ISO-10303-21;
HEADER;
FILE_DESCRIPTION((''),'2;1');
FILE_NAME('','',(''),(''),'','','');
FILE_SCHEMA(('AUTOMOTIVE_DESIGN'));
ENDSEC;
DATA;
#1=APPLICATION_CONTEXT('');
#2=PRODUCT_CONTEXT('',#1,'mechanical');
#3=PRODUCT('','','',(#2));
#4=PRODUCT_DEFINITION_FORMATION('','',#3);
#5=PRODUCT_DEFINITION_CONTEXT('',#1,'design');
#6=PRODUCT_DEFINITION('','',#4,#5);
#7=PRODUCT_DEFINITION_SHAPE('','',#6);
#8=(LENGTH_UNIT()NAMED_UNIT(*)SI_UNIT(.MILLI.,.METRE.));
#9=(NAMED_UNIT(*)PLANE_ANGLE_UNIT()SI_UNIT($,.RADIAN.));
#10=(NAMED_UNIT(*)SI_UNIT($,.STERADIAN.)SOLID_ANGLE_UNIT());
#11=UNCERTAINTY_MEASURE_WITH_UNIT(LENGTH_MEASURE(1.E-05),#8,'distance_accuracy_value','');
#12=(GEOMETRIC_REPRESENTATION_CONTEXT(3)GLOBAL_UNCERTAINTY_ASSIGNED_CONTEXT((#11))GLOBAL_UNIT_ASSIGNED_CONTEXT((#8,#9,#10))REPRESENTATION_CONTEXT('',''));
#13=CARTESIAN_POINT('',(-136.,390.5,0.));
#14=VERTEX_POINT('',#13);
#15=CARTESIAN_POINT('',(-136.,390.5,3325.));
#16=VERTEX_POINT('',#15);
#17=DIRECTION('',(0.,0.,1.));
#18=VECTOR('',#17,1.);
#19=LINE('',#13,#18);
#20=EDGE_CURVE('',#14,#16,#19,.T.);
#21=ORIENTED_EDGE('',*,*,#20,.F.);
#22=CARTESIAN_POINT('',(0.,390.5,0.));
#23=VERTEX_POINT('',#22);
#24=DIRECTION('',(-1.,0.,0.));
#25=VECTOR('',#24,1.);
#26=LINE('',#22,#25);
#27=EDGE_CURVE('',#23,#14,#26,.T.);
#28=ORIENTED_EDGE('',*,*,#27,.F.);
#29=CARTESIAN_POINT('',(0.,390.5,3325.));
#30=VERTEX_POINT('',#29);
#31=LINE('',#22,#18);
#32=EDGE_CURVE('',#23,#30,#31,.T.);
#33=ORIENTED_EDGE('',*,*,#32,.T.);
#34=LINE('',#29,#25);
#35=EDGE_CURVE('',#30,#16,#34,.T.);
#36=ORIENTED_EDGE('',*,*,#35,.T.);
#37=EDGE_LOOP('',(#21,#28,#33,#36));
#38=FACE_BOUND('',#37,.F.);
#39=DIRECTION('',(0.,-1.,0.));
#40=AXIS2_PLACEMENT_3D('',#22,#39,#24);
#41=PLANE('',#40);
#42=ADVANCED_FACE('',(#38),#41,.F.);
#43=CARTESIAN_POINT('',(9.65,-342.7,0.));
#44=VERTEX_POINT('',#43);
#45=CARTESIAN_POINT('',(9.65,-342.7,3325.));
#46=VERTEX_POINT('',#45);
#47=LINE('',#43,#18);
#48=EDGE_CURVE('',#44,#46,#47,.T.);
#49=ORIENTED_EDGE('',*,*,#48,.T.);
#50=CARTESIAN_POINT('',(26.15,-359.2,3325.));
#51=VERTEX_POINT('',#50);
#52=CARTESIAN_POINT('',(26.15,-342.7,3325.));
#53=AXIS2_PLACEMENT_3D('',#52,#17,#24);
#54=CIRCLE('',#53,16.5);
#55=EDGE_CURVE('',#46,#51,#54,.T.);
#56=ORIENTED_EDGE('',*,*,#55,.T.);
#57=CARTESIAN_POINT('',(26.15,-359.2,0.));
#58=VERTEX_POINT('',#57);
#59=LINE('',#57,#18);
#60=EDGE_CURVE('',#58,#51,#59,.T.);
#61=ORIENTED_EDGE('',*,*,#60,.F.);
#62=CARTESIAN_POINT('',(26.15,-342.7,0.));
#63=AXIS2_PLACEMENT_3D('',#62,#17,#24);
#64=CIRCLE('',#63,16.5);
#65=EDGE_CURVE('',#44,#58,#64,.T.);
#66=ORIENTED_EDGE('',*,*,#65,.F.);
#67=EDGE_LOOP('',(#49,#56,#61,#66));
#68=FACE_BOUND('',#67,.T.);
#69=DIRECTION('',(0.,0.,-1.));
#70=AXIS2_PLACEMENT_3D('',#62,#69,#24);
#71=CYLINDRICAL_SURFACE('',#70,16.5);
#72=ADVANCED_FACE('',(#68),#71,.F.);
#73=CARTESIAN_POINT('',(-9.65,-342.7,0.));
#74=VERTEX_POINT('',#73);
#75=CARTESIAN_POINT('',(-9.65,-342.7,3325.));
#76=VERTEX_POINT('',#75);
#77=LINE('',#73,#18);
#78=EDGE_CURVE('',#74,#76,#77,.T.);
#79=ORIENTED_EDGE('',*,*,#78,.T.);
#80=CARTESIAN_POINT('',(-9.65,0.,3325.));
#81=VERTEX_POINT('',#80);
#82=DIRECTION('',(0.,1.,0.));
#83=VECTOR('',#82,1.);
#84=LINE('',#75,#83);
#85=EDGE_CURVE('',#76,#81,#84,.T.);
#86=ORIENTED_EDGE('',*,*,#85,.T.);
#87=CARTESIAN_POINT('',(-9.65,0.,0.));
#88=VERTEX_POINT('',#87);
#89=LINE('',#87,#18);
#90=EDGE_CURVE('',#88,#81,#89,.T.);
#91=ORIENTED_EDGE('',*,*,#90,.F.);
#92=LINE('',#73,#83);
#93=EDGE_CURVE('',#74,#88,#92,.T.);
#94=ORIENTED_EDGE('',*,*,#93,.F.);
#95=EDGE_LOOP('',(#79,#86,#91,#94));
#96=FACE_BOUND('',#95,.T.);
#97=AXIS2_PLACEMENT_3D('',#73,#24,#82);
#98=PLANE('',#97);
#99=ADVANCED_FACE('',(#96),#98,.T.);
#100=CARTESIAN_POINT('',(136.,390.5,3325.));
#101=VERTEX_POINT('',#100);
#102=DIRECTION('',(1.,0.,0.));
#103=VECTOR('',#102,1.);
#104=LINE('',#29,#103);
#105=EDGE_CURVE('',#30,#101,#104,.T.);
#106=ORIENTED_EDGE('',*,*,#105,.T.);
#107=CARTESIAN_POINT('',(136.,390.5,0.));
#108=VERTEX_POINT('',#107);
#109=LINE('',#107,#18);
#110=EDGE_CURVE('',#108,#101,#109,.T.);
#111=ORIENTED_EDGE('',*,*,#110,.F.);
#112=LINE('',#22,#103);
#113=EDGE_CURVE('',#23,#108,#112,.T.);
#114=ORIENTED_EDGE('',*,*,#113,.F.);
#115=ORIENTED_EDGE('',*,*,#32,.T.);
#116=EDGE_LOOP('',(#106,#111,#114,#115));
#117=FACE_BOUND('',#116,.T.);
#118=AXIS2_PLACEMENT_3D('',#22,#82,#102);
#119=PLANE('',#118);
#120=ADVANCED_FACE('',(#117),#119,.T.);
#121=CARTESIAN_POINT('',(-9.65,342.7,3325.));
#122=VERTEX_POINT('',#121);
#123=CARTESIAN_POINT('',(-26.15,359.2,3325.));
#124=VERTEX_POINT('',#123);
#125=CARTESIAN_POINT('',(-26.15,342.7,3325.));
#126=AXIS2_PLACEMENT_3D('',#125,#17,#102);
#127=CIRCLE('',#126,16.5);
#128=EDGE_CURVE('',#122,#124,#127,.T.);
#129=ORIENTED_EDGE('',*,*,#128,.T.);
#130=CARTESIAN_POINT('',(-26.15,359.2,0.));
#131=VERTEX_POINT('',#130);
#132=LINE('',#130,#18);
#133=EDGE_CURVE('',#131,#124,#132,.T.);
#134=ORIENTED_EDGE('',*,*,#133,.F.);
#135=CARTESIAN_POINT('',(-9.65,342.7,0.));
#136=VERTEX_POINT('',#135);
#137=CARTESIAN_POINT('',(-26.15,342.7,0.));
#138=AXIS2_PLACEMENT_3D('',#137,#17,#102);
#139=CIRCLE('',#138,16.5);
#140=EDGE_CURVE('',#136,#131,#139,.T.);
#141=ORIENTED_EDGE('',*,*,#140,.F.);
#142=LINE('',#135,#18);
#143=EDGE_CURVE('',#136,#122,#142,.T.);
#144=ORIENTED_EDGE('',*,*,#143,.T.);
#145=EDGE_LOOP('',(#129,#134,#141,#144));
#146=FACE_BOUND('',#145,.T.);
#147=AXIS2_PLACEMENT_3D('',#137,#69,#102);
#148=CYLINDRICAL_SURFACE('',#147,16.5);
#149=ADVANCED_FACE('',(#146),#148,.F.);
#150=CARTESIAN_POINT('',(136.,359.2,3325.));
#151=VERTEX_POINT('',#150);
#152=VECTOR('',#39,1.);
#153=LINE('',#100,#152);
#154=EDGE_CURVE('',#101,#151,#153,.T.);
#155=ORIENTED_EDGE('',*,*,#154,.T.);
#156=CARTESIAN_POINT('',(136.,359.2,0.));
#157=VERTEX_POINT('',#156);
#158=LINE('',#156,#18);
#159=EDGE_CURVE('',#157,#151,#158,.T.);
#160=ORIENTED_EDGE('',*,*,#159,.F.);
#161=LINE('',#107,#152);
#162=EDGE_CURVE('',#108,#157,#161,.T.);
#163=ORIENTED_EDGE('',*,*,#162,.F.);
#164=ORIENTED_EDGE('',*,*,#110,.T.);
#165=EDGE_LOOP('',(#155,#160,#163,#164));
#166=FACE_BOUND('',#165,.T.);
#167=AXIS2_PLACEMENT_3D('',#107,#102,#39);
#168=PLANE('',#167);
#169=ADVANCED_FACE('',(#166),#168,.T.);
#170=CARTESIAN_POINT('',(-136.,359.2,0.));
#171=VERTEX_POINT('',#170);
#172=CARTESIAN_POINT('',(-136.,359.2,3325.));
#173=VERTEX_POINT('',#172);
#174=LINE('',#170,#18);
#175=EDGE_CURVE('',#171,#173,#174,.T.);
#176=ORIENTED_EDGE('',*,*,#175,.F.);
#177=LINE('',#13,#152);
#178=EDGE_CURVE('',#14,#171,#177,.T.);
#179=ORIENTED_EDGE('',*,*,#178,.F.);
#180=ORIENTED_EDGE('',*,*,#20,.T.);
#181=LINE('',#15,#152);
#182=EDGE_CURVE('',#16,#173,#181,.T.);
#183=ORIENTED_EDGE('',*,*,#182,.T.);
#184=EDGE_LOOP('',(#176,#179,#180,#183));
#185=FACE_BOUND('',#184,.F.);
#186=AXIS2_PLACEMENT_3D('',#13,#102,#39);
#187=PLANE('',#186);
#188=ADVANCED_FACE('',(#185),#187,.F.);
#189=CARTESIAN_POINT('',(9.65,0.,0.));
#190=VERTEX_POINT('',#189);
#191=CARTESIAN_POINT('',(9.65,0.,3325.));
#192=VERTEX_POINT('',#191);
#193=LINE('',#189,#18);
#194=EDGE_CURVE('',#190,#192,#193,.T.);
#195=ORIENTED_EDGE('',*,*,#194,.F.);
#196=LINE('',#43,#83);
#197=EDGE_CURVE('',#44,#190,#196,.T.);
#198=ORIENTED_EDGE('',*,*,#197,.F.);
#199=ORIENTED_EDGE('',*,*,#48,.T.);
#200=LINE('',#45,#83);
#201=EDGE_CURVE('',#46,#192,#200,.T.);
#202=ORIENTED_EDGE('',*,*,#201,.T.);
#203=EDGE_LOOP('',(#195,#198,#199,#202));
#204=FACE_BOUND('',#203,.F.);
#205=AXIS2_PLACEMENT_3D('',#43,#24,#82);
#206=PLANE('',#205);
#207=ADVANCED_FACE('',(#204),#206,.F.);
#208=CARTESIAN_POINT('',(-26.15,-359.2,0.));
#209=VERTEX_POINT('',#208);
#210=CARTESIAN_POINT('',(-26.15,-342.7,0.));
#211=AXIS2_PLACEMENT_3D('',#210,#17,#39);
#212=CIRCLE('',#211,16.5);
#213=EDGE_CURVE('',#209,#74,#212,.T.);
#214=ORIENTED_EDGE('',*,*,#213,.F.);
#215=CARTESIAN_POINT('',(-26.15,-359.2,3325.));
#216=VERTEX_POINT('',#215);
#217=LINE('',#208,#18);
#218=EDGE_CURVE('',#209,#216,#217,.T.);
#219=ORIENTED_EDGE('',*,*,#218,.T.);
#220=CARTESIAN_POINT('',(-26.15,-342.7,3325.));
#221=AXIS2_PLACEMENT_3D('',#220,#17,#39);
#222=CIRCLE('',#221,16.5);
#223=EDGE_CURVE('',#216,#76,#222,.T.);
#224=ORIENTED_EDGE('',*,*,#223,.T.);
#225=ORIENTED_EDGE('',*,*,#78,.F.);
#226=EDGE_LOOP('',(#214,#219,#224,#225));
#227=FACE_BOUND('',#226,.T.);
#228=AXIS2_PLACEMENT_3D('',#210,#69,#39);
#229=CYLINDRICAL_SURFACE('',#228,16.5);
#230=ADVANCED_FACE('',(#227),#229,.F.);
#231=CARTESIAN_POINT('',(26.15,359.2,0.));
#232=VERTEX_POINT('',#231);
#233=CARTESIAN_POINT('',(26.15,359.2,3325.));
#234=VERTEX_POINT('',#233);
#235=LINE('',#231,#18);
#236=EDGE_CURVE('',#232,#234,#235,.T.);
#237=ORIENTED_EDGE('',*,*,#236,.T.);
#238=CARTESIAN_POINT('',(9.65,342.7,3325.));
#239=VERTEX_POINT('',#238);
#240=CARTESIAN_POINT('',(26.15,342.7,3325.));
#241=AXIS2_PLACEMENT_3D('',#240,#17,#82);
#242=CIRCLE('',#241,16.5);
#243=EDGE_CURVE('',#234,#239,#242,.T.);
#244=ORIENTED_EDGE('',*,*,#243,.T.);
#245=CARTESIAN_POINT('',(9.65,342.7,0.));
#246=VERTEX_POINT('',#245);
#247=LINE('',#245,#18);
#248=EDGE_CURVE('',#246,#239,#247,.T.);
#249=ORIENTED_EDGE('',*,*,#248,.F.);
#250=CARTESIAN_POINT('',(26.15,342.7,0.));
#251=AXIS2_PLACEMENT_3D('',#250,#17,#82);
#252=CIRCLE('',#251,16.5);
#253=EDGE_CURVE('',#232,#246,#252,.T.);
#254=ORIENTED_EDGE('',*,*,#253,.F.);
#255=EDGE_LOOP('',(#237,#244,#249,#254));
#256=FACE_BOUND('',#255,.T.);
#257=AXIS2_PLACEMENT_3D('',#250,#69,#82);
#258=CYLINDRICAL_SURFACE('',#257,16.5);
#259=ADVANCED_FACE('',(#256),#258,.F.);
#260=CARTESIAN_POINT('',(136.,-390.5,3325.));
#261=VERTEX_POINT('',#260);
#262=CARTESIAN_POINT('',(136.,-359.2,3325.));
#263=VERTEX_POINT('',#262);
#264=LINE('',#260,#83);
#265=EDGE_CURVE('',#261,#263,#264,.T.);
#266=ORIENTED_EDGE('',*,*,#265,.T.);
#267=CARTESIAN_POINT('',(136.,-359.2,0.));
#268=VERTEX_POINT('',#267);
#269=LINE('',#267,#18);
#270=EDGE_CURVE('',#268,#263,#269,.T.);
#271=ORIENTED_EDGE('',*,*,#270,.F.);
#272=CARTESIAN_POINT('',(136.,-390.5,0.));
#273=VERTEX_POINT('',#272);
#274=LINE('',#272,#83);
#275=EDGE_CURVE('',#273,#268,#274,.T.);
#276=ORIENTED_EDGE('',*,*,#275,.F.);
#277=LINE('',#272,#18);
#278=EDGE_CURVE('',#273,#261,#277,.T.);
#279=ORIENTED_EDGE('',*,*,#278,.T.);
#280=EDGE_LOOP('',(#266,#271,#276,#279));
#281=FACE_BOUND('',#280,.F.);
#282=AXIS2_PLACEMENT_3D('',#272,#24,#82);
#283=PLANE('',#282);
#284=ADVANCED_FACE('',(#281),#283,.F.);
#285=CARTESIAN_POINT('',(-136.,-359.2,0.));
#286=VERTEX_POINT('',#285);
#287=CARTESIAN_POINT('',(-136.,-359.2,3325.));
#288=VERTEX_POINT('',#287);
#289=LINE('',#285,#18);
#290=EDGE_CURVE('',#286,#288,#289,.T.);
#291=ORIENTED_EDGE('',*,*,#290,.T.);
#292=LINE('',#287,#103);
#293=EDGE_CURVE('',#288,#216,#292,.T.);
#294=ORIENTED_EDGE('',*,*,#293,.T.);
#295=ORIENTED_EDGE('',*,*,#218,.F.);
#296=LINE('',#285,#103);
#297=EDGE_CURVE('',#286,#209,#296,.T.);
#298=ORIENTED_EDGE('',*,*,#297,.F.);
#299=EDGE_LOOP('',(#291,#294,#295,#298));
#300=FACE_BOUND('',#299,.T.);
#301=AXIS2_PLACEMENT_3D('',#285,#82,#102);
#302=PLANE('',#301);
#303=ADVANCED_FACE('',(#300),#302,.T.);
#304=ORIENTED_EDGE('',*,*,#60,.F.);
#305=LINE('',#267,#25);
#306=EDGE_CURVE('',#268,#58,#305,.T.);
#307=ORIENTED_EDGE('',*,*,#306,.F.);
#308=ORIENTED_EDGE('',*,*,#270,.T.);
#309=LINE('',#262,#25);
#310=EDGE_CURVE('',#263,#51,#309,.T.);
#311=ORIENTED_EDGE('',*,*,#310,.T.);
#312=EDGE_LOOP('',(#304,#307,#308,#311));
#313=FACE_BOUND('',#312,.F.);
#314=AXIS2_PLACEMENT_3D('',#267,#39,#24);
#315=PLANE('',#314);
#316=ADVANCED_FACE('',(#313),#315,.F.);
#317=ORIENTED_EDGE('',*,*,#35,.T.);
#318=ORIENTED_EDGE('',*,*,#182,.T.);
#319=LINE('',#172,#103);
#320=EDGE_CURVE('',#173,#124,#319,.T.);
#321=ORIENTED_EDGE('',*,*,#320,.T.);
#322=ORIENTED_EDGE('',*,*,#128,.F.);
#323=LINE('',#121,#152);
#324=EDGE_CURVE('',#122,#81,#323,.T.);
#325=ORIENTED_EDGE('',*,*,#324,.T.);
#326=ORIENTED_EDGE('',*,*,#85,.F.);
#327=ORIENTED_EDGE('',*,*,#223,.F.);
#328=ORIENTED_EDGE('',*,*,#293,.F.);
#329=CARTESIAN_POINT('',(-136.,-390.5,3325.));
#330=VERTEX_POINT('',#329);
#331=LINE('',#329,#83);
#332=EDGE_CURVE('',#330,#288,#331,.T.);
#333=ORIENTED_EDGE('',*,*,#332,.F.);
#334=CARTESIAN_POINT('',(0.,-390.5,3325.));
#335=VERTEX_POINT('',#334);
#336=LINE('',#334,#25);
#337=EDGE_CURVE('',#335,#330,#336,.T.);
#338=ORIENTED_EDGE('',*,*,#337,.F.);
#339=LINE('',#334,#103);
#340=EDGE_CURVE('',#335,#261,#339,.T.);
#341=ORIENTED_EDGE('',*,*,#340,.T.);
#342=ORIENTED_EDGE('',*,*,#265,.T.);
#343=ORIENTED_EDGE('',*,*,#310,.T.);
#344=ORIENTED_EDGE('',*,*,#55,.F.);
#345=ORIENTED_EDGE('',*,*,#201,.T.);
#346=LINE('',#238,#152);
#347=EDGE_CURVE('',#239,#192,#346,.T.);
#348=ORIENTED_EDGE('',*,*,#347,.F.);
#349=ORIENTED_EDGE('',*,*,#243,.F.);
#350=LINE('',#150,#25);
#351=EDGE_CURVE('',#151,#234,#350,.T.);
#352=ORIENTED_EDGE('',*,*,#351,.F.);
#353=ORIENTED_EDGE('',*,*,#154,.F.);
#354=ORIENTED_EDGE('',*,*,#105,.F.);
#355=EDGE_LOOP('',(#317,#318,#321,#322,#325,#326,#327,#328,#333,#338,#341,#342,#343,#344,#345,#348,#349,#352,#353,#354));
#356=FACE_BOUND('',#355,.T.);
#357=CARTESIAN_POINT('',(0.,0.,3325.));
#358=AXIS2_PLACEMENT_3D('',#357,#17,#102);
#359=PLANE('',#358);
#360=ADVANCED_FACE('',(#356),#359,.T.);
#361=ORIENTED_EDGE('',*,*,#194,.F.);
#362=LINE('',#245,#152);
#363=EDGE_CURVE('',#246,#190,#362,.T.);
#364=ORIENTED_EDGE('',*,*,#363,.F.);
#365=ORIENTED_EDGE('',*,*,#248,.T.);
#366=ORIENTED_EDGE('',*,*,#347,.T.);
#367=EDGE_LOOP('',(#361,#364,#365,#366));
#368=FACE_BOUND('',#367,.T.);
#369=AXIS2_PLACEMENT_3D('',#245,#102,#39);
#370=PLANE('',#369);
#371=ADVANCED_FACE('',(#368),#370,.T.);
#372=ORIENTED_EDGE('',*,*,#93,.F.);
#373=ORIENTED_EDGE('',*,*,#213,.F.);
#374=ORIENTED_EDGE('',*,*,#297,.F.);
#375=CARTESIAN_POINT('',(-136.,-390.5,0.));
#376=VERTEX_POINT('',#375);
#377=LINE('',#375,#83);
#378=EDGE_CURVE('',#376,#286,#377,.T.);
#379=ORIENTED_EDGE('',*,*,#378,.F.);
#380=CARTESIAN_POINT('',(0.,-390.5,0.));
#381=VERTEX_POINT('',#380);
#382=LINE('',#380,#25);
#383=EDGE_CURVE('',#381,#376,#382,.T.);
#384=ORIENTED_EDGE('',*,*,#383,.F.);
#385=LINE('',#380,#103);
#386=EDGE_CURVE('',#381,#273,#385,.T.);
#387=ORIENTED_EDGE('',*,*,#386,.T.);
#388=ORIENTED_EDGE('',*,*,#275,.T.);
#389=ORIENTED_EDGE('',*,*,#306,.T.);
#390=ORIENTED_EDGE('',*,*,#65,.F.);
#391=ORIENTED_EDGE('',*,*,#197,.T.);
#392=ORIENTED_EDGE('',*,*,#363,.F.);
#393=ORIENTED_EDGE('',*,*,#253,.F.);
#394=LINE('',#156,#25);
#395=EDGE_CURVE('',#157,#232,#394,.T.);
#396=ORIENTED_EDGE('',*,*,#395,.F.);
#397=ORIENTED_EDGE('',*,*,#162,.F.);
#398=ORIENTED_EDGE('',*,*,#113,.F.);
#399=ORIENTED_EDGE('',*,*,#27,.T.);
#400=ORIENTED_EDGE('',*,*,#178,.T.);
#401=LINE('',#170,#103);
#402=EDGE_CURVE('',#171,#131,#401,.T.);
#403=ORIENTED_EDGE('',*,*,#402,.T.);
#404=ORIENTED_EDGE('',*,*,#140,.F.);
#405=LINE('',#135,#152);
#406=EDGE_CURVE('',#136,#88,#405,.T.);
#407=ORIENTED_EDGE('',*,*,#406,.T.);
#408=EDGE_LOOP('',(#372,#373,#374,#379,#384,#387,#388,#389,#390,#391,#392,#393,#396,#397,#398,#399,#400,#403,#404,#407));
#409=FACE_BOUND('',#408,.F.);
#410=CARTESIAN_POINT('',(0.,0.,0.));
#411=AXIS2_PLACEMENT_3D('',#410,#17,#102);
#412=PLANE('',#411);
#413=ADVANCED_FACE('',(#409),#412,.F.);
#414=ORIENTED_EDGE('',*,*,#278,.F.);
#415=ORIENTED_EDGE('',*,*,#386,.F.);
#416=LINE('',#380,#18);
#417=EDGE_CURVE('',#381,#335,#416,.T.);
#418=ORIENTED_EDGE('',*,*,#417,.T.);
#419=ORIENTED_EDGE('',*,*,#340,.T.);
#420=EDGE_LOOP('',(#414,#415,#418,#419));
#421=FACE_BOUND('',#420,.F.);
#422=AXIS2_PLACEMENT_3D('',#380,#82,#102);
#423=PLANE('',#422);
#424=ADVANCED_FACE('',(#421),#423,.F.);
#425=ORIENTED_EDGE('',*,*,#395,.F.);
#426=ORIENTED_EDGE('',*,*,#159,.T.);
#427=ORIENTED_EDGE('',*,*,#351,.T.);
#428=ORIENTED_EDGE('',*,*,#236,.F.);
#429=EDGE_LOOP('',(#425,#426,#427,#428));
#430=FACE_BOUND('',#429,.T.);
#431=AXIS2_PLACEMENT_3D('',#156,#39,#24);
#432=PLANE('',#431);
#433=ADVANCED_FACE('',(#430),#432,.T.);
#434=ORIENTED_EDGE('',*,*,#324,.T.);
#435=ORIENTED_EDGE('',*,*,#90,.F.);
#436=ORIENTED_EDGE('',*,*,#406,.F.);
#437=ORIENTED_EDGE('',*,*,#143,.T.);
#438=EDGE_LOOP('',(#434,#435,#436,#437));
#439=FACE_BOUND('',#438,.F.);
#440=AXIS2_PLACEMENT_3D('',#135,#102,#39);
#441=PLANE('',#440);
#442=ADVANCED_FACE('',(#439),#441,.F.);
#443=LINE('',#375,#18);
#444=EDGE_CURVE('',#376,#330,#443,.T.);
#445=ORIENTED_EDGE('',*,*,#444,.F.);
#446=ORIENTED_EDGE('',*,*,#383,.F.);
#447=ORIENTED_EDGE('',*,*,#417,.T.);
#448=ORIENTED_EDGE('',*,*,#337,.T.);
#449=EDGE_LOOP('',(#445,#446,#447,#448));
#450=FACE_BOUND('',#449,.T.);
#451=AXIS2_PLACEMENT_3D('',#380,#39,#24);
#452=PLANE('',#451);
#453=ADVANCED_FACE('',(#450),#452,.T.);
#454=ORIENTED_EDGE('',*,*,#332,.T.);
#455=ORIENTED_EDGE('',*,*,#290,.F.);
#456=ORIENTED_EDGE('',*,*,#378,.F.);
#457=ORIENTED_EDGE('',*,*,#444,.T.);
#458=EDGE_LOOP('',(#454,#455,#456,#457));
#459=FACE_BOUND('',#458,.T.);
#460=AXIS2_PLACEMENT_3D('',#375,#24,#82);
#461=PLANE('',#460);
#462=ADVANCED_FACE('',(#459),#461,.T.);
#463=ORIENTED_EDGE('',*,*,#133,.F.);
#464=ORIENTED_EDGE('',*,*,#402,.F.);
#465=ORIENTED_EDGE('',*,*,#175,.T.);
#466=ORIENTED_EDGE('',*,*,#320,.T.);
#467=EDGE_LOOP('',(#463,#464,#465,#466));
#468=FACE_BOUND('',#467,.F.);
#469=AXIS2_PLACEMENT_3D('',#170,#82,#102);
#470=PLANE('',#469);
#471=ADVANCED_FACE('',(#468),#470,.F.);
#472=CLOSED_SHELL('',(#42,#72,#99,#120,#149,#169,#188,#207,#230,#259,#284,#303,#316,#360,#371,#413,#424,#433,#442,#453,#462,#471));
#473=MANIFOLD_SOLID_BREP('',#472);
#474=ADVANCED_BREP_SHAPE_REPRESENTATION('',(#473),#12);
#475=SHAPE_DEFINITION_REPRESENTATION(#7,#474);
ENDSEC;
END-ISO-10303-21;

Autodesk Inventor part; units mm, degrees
ref_plane "YZ Plane" through (0, 0, 0) normal (1, 0, 0) x (0, 1, 0)
ref_plane "Start plane" through (0, 0, 0) normal (0, 0, 1) x (1, 0, 0)
ref_plane "End plane" through (0, 0, 3325) normal (0, 0, 1) x (1, 0, 0)
sketch "Sketch" plane through (0, 0, 0) normal (0, 0, 1) x (1, 0, 0)
  line L0 (-136, -390.5) -> (-136, -359.2)
  line L1 (-136, -359.2) -> (-26.15, -359.2)
  line L2 (-9.65, -342.7) -> (-9.65, 0)
  line L3 (-9.65, 0) -> (0, 0) construction
  line L4 (0, 0) -> (0, -390.5) construction
  line L5 (0, -390.5) -> (-136, -390.5)
  line L6 (-60, 0) -> (80, 0) construction
  line L7 (0, -60) -> (0, 80) construction
  line L8 (136, -390.5) -> (136, -359.2)
  line L9 (136, -359.2) -> (26.15, -359.2)
  line L10 (9.65, -342.7) -> (9.65, 0)
  line L11 (9.65, 0) -> (0, 0) construction
  line L12 (0, -390.5) -> (136, -390.5)
  line L13 (-136, 390.5) -> (-136, 359.2)
  line L14 (-136, 359.2) -> (-26.15, 359.2)
  line L15 (-9.65, 342.7) -> (-9.65, 0)
  line L16 (0, 390.5) -> (-136, 390.5)
  line L17 (136, 390.5) -> (136, 359.2)
  line L18 (136, 359.2) -> (26.15, 359.2)
  line L19 (0, 390.5) -> (136, 390.5)
  line L20 (9.65, 342.7) -> (9.65, 0)
  arc A0 (-9.65, 342.7) -> (-26.15, 359.2) centre (-26.15, 342.7) ccw
  arc A1 (26.15, 359.2) -> (9.65, 342.7) centre (26.15, 342.7) ccw
  arc A2 (9.65, -342.7) -> (26.15, -359.2) centre (26.15, -342.7) ccw
  arc A3 (-26.15, -359.2) -> (-9.65, -342.7) centre (-26.15, -342.7) ccw
  line L21 (0, 108) -> (0, -88) construction
  line L22 (-88, 0) -> (108, 0) construction
  point P0 (-9.65, -359.2)
  point P1 (9.65, -359.2)
  point P2 (-9.65, 359.2)
  point P3 (9.65, 359.2)
  dimension "d1" = 390.5
  dimension "d2" = 31.3
  dimension "d3" = 136
  dimension "d4" = 9.65
  dimension "d10" = 16.5
extrude "Body" add sketch "Sketch" along normal up to surface (3325 mm away) from surface at 0
sketch "Sketch4" plane through (0, 0, 0) normal (0, 0, 1) x (1, 0, 0)
  line L0 (0, 0) -> (10, 0)
ref_plane "Work Plane3" through (0, 0, 0) normal (0, -1, 0) x (1, 0, 0)
sketch "Sketch5" plane through (0, 0, 0) normal (0, -1, 0) x (1, 0, 0)
  line L0 (-2, 0) -> (12, 0) projected
  line L1 (-2, 3325) -> (12, 3325) projected
  dimension "d14" = 3325
equation "\"d1\" = 0.5 * G_H"
equation "\"d2\" = G_T1"
equation "\"d3\" = 0.5 * G_W"
equation "\"d4\" = 0.5 * G_T"
equation "\"d10\" = G_IR"
equation "\"d5\" = G_L"
equation "\"G_W\" = 272"
equation "\"G_H\" = 781"
equation "\"G_T\" = 19.3"
equation "\"G_T1\" = 31.3"
equation "\"G_IR\" = 16.5"
equation "\"G_L\" = d14"
equation "\"G_OFFSET_START\" = 0"
equation "\"G_OFFSET_END\" = 0"
equation "\"d12\" = G_OFFSET_END + B_L"
equation "\"B_L\" = 3325"
properties part number "AS 3679-1990 - 760 UB - 244 - 3325" material "Steel, Mild"
